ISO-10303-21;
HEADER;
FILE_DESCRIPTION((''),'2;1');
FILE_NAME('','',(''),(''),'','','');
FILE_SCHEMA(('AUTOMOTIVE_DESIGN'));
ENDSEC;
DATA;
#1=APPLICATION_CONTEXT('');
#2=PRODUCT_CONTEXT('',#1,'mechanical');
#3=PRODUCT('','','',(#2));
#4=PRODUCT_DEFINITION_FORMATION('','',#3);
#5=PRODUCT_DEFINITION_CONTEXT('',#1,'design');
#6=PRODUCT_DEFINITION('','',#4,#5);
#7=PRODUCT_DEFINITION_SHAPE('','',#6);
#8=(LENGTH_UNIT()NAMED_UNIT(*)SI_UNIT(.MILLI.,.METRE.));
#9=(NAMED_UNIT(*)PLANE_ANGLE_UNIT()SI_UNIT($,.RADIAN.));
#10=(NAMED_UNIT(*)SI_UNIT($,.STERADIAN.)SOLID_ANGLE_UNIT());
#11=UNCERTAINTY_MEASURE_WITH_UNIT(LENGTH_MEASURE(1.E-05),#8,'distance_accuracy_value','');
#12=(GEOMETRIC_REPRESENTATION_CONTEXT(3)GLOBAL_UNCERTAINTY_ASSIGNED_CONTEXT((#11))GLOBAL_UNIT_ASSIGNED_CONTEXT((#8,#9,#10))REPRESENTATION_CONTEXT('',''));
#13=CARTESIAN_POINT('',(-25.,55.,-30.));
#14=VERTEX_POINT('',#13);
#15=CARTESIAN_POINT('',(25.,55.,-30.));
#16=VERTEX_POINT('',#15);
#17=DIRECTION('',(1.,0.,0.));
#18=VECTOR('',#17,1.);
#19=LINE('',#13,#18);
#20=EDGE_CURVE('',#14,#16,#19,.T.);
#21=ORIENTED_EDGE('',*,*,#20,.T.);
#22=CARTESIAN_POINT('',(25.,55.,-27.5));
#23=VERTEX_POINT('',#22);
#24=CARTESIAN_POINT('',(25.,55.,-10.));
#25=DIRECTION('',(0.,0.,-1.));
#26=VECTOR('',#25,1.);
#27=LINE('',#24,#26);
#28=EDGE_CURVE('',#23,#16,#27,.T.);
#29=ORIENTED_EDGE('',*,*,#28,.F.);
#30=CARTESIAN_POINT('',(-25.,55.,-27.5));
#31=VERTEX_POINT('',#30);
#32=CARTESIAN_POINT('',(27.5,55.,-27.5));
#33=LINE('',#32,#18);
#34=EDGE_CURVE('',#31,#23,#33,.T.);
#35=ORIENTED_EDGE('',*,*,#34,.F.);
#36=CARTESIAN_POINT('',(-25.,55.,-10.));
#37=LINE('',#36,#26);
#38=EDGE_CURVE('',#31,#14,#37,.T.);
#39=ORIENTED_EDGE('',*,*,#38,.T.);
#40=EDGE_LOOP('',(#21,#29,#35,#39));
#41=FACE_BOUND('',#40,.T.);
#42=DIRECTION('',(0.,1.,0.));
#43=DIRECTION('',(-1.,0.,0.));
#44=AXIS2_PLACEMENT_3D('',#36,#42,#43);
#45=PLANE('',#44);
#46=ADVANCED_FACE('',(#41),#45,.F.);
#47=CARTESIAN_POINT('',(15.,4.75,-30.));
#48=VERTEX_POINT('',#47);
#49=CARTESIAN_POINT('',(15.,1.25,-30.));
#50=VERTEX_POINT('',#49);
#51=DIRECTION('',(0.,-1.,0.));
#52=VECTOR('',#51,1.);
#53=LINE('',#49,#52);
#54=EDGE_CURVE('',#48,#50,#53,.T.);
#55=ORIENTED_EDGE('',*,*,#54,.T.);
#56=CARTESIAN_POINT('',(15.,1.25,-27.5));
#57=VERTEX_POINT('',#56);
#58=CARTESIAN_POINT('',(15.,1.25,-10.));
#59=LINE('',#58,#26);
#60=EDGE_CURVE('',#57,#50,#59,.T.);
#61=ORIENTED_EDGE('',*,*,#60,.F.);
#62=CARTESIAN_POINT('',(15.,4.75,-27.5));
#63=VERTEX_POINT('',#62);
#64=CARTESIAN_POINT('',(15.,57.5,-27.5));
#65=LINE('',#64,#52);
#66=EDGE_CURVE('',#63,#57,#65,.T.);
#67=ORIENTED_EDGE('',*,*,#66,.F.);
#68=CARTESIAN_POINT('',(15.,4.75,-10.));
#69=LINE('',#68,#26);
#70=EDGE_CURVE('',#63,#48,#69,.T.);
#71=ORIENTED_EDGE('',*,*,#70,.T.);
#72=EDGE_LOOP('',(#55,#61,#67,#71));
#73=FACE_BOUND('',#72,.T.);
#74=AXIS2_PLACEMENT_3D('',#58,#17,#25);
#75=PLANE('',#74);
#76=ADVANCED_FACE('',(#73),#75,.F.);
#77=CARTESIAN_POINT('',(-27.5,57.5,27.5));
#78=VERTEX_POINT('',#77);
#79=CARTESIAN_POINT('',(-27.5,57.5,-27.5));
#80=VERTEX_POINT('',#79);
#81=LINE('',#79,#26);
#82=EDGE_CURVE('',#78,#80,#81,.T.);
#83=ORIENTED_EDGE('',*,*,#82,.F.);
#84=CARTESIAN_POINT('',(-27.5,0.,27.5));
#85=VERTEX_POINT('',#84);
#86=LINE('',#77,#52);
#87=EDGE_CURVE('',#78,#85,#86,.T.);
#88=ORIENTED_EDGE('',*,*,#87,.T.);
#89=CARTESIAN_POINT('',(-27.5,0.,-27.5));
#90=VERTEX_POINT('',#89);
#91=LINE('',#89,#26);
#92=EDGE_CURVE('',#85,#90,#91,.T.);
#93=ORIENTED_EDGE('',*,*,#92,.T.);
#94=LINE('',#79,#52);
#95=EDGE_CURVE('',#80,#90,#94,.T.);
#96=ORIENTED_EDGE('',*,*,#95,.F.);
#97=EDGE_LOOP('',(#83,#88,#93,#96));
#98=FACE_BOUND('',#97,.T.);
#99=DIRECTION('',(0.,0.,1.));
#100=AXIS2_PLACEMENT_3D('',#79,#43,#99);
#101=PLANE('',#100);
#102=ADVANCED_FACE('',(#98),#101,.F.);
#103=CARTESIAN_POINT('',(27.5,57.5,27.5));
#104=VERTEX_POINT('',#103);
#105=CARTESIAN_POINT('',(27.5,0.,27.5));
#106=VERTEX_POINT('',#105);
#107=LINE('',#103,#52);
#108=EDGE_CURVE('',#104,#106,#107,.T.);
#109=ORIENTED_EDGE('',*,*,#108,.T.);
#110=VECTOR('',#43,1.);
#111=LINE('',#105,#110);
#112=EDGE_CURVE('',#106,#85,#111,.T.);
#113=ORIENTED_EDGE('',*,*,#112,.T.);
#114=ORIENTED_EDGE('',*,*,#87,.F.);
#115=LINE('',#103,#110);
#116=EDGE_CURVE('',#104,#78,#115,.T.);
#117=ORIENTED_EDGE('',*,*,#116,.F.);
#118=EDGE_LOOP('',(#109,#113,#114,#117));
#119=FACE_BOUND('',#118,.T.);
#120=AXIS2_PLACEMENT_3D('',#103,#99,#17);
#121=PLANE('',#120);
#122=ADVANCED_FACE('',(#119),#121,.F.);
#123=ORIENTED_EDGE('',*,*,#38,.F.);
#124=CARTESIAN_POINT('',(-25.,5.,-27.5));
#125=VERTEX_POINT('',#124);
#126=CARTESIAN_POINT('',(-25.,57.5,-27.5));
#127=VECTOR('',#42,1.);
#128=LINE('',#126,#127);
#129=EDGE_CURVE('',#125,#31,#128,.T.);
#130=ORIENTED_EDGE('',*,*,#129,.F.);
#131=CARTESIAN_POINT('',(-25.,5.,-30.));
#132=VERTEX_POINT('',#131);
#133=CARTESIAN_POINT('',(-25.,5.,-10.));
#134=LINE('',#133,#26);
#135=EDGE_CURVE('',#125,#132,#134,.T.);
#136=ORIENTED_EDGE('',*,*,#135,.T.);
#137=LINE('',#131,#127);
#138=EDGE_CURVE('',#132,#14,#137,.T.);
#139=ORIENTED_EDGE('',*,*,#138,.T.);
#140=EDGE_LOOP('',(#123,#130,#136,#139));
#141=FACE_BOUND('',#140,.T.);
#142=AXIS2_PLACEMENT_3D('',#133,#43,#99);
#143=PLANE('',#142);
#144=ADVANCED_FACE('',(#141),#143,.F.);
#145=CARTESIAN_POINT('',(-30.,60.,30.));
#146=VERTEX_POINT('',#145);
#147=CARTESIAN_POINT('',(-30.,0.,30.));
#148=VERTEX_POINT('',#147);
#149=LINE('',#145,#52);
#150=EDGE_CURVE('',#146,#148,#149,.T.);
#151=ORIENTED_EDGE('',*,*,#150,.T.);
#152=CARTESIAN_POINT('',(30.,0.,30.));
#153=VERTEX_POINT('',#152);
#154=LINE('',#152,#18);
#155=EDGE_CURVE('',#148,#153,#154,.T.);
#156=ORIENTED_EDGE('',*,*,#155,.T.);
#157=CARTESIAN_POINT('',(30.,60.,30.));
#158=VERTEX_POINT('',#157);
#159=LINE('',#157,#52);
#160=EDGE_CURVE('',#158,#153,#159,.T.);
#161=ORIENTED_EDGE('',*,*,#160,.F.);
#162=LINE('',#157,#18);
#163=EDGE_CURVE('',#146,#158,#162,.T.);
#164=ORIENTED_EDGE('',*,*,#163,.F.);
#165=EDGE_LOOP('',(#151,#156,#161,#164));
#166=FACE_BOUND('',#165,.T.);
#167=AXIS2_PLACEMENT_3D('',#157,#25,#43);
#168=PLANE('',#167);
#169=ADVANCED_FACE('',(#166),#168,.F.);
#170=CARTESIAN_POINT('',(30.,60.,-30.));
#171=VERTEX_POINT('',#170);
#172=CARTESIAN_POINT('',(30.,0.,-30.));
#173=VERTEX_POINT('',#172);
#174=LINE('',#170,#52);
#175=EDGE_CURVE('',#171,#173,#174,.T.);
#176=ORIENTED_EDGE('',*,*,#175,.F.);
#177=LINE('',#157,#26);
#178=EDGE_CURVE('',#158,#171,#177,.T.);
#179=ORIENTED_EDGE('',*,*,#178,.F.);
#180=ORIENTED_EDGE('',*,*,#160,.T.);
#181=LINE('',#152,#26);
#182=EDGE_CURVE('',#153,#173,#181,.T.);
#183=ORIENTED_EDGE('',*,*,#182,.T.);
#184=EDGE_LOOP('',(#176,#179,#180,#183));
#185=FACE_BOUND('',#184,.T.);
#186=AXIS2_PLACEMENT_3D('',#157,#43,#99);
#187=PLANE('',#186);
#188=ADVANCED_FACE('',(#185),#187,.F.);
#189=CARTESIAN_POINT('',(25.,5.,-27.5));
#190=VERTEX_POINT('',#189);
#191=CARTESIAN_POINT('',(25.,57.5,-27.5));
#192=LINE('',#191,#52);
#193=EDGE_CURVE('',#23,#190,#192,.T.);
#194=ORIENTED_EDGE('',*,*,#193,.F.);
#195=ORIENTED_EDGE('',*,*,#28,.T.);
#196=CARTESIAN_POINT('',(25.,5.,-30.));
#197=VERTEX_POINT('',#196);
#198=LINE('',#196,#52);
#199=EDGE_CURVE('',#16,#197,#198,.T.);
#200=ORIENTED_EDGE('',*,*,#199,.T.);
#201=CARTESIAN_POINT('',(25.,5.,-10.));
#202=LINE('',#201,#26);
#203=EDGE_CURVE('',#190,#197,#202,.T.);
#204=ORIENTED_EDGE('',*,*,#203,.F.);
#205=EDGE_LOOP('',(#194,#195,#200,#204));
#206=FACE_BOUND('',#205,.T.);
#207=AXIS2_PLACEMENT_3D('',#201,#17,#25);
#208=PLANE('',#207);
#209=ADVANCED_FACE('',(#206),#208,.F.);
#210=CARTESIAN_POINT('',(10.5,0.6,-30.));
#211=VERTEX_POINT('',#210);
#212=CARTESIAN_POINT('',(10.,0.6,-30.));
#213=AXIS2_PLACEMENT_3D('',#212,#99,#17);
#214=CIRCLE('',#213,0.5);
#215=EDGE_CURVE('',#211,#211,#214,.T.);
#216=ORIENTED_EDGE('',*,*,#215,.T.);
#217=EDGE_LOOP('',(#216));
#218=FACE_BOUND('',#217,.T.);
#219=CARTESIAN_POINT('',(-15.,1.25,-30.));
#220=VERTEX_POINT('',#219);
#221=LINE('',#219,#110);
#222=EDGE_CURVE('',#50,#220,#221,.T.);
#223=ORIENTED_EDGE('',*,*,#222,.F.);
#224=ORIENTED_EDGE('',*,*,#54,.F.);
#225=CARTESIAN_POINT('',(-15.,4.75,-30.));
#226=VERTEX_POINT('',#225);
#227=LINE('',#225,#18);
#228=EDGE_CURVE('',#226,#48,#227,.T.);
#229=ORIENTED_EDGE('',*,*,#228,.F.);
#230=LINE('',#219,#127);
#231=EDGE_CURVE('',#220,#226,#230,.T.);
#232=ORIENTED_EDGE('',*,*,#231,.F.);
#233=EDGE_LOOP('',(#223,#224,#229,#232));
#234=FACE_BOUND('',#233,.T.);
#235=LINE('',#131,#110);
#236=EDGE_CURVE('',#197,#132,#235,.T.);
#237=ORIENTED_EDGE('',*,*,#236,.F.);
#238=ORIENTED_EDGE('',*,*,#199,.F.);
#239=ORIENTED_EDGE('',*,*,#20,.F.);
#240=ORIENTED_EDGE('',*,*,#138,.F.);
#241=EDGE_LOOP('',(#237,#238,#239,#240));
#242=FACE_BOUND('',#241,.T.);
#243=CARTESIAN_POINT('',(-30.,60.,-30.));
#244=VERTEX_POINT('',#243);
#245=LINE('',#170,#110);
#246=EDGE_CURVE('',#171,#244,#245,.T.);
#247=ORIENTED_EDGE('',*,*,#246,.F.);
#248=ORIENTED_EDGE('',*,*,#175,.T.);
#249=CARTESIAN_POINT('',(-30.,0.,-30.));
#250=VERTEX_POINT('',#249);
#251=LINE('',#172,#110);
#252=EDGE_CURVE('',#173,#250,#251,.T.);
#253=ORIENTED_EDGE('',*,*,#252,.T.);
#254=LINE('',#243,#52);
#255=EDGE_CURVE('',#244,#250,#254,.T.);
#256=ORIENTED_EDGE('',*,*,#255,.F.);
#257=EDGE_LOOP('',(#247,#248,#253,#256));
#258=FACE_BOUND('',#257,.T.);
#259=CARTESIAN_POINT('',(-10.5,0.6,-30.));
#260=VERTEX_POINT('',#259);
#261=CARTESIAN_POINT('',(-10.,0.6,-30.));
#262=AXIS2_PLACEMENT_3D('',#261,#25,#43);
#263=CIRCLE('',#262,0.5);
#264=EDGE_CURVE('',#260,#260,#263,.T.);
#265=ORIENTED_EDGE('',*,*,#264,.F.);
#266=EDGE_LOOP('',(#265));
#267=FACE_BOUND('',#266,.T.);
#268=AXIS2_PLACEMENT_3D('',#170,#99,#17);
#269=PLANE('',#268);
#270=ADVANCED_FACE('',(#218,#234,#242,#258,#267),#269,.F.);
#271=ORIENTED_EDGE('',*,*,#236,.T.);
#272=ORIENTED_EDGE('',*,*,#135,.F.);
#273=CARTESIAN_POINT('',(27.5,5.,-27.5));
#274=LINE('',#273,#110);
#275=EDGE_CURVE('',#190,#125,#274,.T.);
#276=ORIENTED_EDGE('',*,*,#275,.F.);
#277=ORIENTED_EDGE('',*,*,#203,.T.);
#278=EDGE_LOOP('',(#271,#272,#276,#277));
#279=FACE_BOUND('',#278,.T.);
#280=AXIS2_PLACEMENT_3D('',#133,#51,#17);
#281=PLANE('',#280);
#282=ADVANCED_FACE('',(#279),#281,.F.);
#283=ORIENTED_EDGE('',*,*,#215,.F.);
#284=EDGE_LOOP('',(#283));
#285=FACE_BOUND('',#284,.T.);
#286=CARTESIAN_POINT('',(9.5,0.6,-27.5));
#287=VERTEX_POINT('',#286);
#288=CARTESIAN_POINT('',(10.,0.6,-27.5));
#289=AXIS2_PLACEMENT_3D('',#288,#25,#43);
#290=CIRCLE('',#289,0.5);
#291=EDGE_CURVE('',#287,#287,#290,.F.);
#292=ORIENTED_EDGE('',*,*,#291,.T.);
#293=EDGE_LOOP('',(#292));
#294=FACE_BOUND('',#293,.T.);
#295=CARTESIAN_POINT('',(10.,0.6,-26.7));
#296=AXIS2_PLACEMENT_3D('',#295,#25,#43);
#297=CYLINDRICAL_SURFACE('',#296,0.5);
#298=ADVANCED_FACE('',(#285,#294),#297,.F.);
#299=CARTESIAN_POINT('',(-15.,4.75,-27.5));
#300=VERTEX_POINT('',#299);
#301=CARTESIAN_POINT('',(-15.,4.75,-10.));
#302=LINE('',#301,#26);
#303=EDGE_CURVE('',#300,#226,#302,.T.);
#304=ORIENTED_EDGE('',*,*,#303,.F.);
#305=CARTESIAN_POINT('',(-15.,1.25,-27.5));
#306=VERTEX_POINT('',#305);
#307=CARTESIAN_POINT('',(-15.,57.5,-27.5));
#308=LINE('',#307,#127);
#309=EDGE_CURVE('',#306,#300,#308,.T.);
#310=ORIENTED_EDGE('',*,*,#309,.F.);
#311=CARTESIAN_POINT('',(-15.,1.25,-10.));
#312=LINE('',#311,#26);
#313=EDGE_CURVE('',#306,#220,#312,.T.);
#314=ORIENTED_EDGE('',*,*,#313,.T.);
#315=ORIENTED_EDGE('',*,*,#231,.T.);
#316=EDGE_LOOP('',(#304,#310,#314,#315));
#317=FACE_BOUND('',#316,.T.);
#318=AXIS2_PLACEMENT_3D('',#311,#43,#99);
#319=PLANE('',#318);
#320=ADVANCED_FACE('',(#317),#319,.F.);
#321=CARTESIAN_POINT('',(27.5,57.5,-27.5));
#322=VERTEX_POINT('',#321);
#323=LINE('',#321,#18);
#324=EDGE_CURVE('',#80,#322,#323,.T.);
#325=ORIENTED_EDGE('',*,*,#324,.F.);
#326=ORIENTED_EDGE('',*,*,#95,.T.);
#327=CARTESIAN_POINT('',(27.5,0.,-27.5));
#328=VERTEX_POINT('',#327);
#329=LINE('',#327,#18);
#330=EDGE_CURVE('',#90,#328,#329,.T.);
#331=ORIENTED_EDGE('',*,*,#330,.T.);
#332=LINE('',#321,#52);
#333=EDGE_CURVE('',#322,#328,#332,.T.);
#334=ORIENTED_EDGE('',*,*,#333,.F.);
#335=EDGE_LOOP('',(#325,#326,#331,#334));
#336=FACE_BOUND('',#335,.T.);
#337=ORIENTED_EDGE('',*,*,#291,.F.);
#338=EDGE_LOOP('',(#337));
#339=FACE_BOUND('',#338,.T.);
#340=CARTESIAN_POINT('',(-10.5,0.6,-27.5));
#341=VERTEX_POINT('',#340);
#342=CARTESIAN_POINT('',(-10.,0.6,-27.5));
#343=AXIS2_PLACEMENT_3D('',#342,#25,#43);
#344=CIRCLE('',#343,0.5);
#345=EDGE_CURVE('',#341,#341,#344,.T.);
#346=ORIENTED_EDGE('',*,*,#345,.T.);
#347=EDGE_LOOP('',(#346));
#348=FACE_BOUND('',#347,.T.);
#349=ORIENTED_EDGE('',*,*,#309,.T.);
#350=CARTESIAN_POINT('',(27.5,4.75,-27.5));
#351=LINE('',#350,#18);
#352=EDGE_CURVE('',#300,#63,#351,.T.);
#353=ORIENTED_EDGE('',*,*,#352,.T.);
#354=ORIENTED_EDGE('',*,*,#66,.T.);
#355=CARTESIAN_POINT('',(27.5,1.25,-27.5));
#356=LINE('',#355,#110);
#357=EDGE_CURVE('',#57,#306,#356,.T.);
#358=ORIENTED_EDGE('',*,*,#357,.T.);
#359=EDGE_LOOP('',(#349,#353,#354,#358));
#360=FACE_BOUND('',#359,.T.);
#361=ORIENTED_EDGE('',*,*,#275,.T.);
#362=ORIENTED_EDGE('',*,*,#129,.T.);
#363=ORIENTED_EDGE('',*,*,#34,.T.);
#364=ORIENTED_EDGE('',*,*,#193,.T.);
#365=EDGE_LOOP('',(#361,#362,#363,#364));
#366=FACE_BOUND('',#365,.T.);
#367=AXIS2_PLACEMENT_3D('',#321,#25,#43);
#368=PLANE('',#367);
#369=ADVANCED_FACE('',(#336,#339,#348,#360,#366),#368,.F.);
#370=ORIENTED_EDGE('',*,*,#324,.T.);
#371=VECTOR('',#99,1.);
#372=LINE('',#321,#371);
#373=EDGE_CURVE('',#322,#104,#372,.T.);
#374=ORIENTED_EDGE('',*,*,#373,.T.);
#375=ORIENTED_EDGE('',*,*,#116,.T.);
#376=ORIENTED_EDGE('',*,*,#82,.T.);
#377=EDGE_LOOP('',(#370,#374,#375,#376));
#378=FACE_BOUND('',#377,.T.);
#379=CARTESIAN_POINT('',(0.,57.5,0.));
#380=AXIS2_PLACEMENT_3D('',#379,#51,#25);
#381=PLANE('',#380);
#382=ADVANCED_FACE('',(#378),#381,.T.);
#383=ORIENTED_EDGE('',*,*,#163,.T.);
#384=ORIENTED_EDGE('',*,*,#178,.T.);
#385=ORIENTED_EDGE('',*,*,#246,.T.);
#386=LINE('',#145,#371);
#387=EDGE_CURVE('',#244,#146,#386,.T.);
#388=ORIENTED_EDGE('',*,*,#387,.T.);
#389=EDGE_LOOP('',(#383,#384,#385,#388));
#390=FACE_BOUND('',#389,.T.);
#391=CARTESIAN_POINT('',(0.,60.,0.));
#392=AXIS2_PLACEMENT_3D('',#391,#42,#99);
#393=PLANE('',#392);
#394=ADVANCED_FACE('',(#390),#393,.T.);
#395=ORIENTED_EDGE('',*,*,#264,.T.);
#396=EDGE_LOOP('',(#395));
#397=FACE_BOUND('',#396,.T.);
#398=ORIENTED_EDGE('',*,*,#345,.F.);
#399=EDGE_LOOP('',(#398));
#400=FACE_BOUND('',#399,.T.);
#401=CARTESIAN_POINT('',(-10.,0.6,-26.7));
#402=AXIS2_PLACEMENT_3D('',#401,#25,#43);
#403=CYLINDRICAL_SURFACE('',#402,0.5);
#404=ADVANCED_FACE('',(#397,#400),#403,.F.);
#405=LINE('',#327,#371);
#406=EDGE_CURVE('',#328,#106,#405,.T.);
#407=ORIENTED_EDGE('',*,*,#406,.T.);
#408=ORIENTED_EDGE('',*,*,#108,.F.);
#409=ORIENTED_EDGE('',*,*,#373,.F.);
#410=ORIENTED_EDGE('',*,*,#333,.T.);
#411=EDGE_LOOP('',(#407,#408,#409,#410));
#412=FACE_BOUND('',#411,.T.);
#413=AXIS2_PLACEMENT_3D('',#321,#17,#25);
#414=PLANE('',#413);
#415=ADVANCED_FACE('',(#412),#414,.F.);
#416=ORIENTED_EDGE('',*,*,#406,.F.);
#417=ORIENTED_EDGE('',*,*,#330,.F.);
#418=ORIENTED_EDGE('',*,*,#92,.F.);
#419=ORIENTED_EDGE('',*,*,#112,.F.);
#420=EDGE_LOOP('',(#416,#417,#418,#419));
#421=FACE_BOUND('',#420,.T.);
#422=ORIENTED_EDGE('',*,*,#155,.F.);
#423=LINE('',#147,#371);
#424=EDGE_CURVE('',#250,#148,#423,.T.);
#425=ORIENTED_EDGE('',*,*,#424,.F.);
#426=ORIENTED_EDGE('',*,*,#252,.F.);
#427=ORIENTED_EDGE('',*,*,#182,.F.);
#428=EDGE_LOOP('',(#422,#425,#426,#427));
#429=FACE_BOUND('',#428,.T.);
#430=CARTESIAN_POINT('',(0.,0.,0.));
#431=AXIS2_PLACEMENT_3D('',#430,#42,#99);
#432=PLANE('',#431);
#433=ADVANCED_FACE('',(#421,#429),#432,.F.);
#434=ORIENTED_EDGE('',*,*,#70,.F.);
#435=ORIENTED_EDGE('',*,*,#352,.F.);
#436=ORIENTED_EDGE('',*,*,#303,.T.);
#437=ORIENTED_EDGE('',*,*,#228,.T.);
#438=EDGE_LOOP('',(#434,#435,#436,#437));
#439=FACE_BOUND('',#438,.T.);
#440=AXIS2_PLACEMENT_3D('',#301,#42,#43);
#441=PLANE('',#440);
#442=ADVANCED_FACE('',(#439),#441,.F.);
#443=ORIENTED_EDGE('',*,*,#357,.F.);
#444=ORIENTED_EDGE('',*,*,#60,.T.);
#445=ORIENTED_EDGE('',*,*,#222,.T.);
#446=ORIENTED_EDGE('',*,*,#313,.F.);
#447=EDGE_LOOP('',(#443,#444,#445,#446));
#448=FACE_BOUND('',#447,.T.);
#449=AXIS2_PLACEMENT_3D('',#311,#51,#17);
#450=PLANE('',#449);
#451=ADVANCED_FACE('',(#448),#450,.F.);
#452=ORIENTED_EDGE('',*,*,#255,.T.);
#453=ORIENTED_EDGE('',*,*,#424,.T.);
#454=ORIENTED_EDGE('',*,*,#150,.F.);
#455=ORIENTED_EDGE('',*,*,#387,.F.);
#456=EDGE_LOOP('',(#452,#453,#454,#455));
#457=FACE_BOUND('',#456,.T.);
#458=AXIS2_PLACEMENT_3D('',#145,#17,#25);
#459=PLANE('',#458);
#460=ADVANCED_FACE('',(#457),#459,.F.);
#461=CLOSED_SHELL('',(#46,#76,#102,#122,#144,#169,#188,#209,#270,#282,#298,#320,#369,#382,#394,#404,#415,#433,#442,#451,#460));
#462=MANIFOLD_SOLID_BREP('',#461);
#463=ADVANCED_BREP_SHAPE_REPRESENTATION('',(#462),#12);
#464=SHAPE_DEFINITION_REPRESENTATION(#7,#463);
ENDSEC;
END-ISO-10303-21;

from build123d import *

# Parameters (mm, degrees)
SKETCH1_W           = 60
SKETCH1_H           = 60
BOSS_EXTRUDE1_DEPTH = 60
SKETCH2_W           = 55
SKETCH2_H           = 55
BOSS_EXTRUDE2_DEPTH = 57.5
SKETCH2_2_W         = 55
SKETCH2_2_H         = 55
CUT_EXTRUDE1_DEPTH  = 57.5
SKETCH5_W           = 50
SKETCH5_H           = 50
CUT_EXTRUDE2_DEPTH  = 20
SKETCH6_W           = 30
SKETCH6_H           = 3.5
CUT_EXTRUDE3_DEPTH  = 20
SKETCH7_R           = 0.5
CUT_EXTRUDE4_DEPTH  = 3.3


with BuildPart() as part:
    # Sketch1 → Boss-Extrude1 (new body)
    with BuildSketch(Plane(origin=(0, 0, 0), x_dir=(1, 0, 0), z_dir=(0, 1, 0))):
        Rectangle(SKETCH1_W, SKETCH1_H)
    extrude(amount=BOSS_EXTRUDE1_DEPTH)

    # Sketch2 → Boss-Extrude2 (add)
    with BuildSketch(Plane.XZ):
        Rectangle(SKETCH2_W, SKETCH2_H)
    extrude(amount=-BOSS_EXTRUDE2_DEPTH)

    # Sketch2<2> → Cut-Extrude1 (cut)
    with BuildSketch(Plane.XZ):
        Rectangle(SKETCH2_2_W, SKETCH2_2_H)
    extrude(amount=-CUT_EXTRUDE1_DEPTH, mode=Mode.SUBTRACT)

    # Sketch5 → Cut-Extrude2 (cut)
    with BuildSketch(Plane(origin=(0, 0, -30), x_dir=(-1, 0, 0), z_dir=(0, 0, -1))):
        with Locations((0, 30)):
            Rectangle(SKETCH5_W, SKETCH5_H)
    extrude(amount=-CUT_EXTRUDE2_DEPTH, mode=Mode.SUBTRACT)

    # Sketch6 → Cut-Extrude3 (cut)
    with BuildSketch(Plane(origin=(0, 0, -30), x_dir=(-1, 0, 0), z_dir=(0, 0, -1))):
        with Locations((0, 3)):
            Rectangle(SKETCH6_W, SKETCH6_H)
    extrude(amount=-CUT_EXTRUDE3_DEPTH, mode=Mode.SUBTRACT)

    # Sketch7 → Cut-Extrude4 (cut)
    with BuildSketch(Plane(origin=(0, 0, -30), x_dir=(-1, 0, 0), z_dir=(0, 0, -1))):
        with Locations((10, 0.6)):
            Circle(SKETCH7_R)
    cut_extrude4 = extrude(amount=-CUT_EXTRUDE4_DEPTH, mode=Mode.SUBTRACT)

    # Mirror1: Cut-Extrude4 across plane
    add(cut_extrude4.mirror(Plane.ZY), mode=Mode.SUBTRACT)


solid = part.part
